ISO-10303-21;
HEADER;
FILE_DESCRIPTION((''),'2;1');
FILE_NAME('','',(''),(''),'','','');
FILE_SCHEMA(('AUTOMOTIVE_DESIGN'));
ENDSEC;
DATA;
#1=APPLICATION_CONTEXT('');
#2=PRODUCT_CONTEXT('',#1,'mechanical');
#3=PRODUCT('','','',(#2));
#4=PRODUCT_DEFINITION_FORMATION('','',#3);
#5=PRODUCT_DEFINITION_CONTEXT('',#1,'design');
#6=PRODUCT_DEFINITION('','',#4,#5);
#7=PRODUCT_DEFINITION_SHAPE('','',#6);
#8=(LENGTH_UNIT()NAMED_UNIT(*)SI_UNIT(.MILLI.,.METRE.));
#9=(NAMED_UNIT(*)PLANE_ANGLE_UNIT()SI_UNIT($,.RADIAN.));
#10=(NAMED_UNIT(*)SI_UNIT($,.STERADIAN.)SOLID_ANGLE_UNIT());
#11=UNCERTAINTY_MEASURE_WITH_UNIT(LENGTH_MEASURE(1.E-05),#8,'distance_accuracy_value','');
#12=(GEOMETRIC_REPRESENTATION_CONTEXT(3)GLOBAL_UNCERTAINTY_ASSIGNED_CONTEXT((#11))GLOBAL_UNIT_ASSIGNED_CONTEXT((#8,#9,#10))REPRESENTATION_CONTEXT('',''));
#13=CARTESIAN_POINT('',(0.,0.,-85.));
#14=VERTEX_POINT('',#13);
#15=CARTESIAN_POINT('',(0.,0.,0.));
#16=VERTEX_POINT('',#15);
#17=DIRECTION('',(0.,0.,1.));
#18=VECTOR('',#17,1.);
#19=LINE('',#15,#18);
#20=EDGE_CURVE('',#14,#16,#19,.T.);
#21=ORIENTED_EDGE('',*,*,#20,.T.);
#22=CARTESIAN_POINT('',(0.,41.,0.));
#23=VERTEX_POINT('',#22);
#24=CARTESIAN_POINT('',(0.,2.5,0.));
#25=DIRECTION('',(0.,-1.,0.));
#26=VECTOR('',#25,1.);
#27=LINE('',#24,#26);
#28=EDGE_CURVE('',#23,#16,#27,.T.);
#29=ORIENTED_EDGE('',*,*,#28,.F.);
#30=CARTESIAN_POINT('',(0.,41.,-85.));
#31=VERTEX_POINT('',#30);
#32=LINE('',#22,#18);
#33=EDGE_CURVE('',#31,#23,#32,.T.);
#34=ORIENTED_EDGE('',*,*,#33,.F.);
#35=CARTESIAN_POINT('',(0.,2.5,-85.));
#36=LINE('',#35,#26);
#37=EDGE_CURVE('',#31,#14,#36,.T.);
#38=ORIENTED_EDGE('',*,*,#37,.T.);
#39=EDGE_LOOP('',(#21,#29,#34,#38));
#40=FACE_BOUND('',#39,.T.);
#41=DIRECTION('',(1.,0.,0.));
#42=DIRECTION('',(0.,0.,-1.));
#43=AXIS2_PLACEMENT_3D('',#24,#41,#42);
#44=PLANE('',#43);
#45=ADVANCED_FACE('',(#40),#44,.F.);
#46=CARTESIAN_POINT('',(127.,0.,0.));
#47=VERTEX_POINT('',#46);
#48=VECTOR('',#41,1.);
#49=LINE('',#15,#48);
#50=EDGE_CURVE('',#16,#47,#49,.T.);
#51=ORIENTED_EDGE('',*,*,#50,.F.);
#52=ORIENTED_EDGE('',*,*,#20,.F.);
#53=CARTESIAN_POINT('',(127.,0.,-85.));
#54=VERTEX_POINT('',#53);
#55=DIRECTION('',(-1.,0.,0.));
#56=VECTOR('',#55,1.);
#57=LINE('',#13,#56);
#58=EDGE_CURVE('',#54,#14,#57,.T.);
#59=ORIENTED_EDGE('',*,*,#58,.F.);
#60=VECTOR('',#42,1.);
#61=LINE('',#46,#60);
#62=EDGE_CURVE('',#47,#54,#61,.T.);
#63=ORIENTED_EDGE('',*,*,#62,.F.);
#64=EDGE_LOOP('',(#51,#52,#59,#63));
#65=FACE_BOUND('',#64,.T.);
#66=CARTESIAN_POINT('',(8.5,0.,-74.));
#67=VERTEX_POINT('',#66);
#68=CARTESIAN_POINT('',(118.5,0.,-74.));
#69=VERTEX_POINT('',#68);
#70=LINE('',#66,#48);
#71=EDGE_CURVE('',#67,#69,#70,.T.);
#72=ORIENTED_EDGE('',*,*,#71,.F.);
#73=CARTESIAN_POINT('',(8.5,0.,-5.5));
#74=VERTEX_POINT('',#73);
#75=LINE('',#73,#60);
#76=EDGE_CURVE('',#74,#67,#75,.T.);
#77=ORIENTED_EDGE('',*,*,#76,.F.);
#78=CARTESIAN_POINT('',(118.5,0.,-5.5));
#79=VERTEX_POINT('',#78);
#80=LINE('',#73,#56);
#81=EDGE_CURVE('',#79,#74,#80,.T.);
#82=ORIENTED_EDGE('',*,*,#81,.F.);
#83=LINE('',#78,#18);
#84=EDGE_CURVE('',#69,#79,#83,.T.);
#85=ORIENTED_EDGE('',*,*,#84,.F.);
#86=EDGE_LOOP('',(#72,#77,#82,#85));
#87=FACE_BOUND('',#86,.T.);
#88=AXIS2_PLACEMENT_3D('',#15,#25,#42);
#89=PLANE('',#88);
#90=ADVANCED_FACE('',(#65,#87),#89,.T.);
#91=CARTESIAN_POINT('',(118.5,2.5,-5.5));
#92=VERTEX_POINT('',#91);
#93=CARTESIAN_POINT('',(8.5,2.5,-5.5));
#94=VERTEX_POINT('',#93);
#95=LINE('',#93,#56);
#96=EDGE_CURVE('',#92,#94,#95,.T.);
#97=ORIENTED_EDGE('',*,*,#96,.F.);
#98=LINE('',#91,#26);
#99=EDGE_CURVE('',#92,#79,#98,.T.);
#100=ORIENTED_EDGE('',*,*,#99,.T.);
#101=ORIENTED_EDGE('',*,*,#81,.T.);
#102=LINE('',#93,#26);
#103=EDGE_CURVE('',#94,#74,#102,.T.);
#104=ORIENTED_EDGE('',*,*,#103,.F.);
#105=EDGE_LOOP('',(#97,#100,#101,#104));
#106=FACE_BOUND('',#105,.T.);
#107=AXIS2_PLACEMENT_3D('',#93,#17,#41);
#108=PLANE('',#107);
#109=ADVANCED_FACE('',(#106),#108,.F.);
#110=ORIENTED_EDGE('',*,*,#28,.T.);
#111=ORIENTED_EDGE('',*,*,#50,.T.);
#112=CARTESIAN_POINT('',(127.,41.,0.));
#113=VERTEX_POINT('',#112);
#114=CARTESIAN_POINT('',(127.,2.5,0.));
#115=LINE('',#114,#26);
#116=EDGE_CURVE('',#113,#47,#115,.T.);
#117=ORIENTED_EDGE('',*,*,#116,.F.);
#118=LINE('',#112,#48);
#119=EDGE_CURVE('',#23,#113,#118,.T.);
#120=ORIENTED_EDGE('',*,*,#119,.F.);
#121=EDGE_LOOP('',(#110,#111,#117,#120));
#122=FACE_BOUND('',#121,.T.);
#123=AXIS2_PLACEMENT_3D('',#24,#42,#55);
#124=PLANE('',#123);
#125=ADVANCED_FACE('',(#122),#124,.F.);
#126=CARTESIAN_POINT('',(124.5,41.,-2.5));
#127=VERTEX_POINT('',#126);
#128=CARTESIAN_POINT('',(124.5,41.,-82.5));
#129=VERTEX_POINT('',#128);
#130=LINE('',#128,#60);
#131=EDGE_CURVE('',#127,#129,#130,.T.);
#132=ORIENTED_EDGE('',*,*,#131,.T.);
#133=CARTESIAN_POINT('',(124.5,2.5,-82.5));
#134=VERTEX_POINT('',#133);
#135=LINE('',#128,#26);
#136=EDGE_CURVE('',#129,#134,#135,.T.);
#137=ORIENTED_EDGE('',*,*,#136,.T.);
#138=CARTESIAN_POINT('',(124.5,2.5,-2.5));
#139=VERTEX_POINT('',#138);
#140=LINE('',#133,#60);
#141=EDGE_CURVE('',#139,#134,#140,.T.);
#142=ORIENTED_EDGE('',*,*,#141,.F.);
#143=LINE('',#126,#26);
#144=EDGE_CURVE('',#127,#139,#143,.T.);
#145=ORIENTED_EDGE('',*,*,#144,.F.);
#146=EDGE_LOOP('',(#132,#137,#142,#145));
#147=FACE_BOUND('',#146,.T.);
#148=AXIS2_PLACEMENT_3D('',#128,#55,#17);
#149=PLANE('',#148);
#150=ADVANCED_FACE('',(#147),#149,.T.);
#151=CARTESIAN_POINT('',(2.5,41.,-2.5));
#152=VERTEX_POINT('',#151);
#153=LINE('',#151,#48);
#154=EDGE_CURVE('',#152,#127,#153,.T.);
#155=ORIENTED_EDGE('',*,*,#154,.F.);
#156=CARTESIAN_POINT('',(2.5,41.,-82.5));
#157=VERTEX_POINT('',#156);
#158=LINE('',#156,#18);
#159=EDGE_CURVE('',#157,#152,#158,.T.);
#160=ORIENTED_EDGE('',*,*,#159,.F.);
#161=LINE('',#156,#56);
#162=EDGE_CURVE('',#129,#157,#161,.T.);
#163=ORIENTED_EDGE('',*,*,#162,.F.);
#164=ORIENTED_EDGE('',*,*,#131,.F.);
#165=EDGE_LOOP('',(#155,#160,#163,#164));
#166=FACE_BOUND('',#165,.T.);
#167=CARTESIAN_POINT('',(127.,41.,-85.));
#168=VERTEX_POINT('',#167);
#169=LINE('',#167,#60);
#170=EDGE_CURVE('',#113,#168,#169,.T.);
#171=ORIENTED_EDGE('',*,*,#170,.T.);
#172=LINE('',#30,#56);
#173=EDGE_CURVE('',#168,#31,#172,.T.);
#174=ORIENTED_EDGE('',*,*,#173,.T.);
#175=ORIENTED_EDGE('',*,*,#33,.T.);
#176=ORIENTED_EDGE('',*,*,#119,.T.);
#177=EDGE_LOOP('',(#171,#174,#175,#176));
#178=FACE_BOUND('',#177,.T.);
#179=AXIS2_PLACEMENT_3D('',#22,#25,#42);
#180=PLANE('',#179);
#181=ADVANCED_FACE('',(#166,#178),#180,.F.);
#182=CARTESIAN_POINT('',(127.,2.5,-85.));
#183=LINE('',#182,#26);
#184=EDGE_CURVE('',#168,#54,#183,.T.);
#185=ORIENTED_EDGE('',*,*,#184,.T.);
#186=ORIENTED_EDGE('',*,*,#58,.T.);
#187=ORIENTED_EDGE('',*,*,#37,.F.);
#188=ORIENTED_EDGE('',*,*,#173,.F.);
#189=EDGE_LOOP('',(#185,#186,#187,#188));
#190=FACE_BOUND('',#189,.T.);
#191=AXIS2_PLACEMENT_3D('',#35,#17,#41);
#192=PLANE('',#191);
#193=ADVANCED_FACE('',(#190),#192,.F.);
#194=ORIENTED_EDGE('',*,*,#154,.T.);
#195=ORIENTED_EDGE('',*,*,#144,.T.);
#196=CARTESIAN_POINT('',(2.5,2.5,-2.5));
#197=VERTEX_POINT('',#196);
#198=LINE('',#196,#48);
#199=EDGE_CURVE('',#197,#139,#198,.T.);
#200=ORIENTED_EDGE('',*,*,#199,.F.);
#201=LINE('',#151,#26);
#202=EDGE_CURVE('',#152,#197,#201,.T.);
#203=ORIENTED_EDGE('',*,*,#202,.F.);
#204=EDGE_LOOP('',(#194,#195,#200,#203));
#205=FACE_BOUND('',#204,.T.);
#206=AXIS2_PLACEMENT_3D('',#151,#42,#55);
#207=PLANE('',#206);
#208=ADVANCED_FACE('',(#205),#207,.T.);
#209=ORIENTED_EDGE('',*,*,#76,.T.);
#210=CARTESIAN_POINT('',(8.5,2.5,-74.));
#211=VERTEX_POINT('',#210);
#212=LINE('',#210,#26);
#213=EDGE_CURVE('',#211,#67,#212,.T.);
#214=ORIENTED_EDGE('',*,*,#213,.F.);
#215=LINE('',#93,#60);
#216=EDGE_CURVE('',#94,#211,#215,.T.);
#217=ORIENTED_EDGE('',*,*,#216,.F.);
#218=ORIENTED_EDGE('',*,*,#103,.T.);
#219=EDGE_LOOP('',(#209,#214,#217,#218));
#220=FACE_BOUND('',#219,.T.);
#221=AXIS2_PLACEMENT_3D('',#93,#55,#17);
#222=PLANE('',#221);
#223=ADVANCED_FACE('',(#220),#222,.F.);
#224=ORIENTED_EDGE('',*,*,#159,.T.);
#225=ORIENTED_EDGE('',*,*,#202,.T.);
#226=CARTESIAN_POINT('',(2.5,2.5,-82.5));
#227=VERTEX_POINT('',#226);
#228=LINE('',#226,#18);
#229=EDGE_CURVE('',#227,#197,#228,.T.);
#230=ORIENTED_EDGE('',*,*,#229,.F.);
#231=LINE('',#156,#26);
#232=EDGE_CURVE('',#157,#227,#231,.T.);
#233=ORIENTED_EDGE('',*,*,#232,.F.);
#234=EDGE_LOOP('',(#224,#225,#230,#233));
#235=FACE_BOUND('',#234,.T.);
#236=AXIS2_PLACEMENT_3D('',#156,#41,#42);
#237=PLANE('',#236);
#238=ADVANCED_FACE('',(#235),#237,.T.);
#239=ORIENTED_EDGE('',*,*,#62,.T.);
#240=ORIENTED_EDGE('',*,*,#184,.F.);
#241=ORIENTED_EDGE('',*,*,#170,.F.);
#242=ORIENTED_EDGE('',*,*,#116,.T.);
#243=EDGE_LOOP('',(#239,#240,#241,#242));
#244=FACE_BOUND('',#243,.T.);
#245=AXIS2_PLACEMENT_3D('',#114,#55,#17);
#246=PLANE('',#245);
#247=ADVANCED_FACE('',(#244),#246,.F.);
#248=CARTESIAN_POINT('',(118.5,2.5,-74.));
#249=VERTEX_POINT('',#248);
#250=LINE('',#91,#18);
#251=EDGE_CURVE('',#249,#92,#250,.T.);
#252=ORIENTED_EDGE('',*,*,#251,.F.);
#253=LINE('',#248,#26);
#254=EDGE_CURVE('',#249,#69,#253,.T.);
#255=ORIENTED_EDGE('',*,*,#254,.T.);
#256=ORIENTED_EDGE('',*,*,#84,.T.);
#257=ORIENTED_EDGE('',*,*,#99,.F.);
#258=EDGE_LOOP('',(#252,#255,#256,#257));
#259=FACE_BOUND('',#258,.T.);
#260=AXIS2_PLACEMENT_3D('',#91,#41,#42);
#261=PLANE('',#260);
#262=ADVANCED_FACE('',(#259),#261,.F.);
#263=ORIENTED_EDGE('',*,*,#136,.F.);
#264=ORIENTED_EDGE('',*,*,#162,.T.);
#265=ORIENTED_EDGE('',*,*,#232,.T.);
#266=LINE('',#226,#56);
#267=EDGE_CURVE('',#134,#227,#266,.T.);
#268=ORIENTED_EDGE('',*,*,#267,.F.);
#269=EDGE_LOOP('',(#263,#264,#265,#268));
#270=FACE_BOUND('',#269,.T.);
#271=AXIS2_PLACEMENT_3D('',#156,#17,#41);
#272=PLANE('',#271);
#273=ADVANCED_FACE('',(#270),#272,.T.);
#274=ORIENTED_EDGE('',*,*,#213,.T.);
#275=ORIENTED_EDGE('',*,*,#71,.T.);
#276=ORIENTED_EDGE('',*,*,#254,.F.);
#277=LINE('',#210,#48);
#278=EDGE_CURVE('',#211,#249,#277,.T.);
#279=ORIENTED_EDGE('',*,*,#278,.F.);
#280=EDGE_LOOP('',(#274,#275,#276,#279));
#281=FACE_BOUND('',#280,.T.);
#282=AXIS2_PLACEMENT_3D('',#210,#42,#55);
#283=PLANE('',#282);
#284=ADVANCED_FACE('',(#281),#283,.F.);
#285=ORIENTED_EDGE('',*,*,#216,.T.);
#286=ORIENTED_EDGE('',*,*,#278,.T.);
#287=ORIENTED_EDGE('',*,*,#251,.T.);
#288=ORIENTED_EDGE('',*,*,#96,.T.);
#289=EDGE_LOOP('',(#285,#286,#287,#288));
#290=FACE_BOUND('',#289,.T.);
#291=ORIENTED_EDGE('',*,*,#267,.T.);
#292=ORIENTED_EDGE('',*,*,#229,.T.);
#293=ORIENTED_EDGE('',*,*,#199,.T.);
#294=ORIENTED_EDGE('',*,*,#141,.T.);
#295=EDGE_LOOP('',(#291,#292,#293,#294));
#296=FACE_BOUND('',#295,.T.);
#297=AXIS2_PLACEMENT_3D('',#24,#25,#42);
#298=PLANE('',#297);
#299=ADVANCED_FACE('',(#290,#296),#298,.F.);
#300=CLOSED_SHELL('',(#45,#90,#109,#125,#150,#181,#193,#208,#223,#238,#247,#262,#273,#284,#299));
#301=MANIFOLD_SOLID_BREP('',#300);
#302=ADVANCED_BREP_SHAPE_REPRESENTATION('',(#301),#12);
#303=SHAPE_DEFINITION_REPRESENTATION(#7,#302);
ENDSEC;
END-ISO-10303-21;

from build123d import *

# Parameters (mm, degrees)
SKETCH1_W           = 127
SKETCH1_H           = 85
BOSS_EXTRUDE1_DEPTH = 2.5
SKETCH2_W           = 127
SKETCH2_H           = 85
SKETCH2_W_2         = 122
SKETCH2_H_2         = 80
BOSS_EXTRUDE2_DEPTH = 38.5
SKETCH3_W           = 110
SKETCH3_H           = 68.5
CUT_EXTRUDE1_DEPTH  = 2.5


with BuildPart() as part:
    # Sketch1 → Boss-Extrude1 (new body)
    with BuildSketch(Plane(origin=(0, 0, 0), x_dir=(1, 0, 0), z_dir=(0, 1, 0))):
        with Locations((63.5, 42.5)):
            Rectangle(SKETCH1_W, SKETCH1_H)
    extrude(amount=BOSS_EXTRUDE1_DEPTH)

    # Sketch2 → Boss-Extrude2 (add)
    with BuildSketch(Plane(origin=(0, 2.5, 0), x_dir=(1, 0, 0), z_dir=(0, 1, 0))):
        with Locations((63.5, 42.5)):
            Rectangle(SKETCH2_W, SKETCH2_H)
        with Locations((63.5, 42.5)):
            Rectangle(SKETCH2_W_2, SKETCH2_H_2, mode=Mode.SUBTRACT)
    extrude(amount=BOSS_EXTRUDE2_DEPTH)

    # Sketch3 → Cut-Extrude1 (cut)
    with BuildSketch(Plane(origin=(0, 0, 0), x_dir=(-1, 0, 0), z_dir=(0, -1, 0))):
        with Locations((-63.5, 39.75)):
            Rectangle(SKETCH3_W, SKETCH3_H)
    extrude(amount=-CUT_EXTRUDE1_DEPTH, mode=Mode.SUBTRACT)


solid = part.part
